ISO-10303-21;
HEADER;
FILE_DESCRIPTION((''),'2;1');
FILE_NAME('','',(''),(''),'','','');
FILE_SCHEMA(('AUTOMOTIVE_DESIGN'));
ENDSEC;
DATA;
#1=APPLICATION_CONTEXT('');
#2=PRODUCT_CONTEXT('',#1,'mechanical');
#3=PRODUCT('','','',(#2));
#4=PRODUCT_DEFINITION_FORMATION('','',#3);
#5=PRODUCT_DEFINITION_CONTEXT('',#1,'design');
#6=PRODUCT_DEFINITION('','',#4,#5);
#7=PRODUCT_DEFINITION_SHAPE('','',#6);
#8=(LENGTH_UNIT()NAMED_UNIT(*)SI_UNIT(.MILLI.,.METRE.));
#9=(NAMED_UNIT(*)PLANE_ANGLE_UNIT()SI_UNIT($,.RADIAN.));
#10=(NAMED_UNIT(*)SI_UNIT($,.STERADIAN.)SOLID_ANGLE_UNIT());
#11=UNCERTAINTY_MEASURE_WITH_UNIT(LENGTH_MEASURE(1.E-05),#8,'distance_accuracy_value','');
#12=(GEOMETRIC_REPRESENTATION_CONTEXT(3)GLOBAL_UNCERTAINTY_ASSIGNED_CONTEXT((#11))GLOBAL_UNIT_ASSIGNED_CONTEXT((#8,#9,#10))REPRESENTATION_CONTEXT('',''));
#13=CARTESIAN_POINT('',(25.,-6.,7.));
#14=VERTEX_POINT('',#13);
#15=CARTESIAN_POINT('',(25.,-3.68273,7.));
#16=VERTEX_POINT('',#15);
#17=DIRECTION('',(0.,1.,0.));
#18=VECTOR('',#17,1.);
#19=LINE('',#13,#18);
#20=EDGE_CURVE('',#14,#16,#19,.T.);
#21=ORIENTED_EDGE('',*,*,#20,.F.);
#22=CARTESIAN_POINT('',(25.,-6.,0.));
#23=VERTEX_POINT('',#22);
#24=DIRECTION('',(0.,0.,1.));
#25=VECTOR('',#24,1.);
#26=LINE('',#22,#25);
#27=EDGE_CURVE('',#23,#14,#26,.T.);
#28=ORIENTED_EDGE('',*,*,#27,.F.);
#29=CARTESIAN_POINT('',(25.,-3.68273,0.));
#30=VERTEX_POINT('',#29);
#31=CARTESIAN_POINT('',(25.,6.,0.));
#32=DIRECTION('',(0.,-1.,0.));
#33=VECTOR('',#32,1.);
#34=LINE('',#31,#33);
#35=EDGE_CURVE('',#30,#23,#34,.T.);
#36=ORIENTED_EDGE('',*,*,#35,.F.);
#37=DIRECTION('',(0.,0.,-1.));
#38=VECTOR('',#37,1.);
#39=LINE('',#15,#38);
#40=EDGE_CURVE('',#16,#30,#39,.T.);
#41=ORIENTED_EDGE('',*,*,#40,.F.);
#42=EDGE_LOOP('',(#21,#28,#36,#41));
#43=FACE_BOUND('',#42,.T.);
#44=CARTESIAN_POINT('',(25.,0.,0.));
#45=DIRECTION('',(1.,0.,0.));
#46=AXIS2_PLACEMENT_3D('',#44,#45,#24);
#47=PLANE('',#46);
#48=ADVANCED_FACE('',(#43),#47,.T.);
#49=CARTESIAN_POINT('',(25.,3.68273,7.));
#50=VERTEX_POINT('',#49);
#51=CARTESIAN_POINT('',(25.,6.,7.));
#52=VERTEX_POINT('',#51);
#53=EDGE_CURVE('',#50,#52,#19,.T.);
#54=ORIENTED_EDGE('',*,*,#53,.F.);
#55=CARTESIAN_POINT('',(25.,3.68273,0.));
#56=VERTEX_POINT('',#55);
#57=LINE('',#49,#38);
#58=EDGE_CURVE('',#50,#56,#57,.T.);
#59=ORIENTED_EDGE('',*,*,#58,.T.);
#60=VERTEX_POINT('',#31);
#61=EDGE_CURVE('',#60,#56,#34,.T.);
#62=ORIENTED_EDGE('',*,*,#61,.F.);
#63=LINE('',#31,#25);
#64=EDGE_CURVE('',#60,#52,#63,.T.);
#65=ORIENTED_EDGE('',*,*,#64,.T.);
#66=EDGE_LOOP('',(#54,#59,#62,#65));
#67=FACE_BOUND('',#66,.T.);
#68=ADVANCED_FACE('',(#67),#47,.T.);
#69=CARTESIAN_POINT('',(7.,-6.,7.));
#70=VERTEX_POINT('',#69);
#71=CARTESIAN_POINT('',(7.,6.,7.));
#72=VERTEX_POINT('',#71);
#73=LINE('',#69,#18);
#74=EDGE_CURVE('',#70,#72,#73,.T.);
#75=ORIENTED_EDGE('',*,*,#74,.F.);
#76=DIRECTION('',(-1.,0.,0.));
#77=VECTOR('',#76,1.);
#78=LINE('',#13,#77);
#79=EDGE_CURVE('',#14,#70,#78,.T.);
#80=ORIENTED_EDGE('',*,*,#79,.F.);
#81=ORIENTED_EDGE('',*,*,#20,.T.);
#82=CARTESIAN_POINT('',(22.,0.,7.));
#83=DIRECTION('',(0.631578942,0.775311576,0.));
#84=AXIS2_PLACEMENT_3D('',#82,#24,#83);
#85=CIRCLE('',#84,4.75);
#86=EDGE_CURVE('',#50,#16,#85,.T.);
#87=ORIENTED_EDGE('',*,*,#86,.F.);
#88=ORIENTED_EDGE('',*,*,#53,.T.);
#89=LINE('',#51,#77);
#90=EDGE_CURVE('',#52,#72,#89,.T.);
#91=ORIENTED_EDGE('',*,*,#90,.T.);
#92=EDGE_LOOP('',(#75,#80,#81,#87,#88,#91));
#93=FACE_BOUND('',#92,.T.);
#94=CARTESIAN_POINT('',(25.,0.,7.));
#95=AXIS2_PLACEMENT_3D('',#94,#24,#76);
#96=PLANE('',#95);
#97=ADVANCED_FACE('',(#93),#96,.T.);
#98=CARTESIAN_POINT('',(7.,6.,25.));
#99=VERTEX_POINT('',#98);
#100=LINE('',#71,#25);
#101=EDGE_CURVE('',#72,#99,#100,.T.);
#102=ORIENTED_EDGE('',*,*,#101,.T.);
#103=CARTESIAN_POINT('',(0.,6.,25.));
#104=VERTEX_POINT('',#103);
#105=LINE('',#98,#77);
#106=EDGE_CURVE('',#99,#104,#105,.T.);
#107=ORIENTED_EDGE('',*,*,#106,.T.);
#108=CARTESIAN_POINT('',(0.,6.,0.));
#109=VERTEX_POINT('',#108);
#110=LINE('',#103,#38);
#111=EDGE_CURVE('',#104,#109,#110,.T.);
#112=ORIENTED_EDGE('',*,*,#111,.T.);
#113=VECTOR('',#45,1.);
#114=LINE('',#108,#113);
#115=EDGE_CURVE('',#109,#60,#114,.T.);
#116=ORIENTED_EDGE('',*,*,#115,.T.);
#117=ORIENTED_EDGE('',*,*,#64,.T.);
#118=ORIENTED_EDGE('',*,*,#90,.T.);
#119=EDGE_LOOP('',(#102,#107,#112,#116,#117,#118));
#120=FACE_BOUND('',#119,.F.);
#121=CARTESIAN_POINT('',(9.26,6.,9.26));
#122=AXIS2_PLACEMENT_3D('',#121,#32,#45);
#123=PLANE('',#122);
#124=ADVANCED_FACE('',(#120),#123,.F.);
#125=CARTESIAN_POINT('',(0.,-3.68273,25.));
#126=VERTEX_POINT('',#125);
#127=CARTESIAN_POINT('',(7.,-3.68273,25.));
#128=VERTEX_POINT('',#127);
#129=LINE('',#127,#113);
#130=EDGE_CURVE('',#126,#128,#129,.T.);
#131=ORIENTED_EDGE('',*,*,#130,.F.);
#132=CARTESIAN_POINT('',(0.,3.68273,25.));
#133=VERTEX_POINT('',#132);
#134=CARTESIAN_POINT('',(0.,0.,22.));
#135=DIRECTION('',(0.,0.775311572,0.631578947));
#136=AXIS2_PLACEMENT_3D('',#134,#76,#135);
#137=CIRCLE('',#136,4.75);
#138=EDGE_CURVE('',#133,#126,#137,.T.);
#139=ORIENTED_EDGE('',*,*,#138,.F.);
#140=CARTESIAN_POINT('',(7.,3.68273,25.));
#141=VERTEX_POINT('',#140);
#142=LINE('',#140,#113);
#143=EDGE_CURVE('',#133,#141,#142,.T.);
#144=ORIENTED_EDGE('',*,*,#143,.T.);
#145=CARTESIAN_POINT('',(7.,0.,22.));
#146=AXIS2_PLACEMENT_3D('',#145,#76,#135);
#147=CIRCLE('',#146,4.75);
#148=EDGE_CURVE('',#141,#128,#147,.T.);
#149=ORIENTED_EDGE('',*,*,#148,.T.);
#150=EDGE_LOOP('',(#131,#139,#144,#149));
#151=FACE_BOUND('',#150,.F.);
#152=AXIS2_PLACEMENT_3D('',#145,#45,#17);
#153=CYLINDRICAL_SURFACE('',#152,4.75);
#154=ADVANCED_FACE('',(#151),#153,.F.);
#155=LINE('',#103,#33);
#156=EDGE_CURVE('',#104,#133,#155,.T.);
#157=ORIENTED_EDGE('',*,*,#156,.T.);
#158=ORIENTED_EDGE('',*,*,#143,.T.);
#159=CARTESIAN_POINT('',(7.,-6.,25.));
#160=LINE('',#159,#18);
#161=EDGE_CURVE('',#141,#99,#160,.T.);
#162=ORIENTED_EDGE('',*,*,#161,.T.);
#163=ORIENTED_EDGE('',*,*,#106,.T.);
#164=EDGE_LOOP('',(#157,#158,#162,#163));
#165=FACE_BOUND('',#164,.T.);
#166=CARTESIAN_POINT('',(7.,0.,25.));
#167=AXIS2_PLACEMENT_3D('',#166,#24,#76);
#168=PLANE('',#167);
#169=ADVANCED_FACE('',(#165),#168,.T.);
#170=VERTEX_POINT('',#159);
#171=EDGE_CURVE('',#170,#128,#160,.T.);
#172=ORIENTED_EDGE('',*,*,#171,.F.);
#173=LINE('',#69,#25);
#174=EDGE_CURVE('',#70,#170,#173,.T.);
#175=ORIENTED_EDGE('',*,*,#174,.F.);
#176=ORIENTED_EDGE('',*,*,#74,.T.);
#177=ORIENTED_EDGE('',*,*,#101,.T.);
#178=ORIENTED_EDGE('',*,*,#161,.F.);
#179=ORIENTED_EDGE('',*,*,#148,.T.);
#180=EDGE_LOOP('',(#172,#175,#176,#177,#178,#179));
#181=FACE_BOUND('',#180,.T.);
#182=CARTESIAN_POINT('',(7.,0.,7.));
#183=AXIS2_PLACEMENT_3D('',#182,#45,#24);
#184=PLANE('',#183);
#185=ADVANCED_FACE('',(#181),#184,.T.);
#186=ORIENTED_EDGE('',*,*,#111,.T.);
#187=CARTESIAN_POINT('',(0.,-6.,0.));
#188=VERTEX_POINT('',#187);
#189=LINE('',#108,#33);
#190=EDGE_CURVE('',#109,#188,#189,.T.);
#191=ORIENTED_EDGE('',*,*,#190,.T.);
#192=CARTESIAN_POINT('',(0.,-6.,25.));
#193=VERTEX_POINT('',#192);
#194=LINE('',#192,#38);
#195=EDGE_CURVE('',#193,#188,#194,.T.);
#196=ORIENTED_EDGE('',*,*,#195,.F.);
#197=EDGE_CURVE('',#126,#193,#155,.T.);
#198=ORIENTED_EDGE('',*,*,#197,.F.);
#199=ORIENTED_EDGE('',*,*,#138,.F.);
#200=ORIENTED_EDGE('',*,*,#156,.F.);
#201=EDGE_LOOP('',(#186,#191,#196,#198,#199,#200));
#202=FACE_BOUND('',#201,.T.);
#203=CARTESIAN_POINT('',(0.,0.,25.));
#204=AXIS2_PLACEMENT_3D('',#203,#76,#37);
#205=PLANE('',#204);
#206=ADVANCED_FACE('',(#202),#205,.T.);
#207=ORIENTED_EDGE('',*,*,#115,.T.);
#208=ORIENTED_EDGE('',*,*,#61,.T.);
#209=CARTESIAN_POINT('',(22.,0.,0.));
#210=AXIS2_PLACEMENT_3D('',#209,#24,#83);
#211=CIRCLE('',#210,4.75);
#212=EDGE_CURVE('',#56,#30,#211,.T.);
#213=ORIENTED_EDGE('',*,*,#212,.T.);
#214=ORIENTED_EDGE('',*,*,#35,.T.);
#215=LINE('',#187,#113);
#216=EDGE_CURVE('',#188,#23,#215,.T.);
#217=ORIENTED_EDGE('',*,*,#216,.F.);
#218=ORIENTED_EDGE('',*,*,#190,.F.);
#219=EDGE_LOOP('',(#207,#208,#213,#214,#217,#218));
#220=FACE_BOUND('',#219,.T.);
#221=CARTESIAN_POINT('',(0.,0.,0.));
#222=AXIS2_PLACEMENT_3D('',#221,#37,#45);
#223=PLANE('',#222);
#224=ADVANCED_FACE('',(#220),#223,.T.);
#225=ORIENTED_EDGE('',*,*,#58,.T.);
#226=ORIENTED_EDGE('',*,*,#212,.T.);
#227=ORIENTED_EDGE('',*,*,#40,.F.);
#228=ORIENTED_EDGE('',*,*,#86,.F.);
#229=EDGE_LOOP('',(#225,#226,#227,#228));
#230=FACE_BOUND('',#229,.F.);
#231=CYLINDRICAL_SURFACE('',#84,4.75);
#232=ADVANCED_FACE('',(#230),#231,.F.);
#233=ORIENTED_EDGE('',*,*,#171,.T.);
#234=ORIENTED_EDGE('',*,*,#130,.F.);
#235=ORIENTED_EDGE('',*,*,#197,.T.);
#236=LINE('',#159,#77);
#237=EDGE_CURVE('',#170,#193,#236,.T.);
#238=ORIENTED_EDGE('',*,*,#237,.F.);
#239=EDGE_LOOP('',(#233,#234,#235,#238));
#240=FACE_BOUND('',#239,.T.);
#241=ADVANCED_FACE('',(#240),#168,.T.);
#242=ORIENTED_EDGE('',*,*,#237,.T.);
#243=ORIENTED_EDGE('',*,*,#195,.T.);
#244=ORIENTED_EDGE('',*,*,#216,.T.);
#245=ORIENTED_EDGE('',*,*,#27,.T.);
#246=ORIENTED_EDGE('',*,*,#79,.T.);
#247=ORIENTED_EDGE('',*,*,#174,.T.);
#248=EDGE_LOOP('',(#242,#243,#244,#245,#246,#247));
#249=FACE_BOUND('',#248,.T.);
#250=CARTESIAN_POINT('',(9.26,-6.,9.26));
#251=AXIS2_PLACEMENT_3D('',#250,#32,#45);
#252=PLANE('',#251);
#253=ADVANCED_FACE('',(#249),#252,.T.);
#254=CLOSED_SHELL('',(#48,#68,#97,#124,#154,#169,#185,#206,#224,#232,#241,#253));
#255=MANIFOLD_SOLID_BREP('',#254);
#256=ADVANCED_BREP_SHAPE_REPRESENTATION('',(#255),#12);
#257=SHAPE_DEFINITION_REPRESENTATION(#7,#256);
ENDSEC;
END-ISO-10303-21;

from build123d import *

# Parameters (mm, degrees)
F1_DEPTH = 6
F3_DEPTH = 7.001
F4_R     = 4.75
F5_DEPTH = 25


with BuildPart() as f1:
    # F0 (on Front) → F1 (new body, symmetric)
    with BuildSketch(Plane.XZ):
        Polygon((7, 25), (0, 25), (0, 0), (25, 0), (25, 7), (7, 7), align=None)
    extrude(amount=F1_DEPTH, both=True)

    # F2 (on face) → F3 (cut, through all)
    with BuildSketch(Plane.XY.offset(7)):
        with BuildLine():
            ThreePointArc((25, -3.68273), (26.290251, -2.038688), (26.75, 0))
            ThreePointArc((26.75, 0), (26.290251, 2.038688), (25, 3.68273))
            Line((25, 3.68273), (25, -3.68273))
        make_face()
        with BuildLine():
            Line((25, -3.68273), (25, 3.68273))
            ThreePointArc((25, 3.68273), (17.25, 0), (25, -3.68273))
        make_face()
    extrude(amount=-F3_DEPTH, mode=Mode.SUBTRACT)

    # F4 (on face) → F5 (cut)
    with BuildSketch(Plane.YZ.offset(7)):
        with Locations((0, 22)):
            Circle(F4_R)
    extrude(amount=-F5_DEPTH, mode=Mode.SUBTRACT)


solid = f1.part
